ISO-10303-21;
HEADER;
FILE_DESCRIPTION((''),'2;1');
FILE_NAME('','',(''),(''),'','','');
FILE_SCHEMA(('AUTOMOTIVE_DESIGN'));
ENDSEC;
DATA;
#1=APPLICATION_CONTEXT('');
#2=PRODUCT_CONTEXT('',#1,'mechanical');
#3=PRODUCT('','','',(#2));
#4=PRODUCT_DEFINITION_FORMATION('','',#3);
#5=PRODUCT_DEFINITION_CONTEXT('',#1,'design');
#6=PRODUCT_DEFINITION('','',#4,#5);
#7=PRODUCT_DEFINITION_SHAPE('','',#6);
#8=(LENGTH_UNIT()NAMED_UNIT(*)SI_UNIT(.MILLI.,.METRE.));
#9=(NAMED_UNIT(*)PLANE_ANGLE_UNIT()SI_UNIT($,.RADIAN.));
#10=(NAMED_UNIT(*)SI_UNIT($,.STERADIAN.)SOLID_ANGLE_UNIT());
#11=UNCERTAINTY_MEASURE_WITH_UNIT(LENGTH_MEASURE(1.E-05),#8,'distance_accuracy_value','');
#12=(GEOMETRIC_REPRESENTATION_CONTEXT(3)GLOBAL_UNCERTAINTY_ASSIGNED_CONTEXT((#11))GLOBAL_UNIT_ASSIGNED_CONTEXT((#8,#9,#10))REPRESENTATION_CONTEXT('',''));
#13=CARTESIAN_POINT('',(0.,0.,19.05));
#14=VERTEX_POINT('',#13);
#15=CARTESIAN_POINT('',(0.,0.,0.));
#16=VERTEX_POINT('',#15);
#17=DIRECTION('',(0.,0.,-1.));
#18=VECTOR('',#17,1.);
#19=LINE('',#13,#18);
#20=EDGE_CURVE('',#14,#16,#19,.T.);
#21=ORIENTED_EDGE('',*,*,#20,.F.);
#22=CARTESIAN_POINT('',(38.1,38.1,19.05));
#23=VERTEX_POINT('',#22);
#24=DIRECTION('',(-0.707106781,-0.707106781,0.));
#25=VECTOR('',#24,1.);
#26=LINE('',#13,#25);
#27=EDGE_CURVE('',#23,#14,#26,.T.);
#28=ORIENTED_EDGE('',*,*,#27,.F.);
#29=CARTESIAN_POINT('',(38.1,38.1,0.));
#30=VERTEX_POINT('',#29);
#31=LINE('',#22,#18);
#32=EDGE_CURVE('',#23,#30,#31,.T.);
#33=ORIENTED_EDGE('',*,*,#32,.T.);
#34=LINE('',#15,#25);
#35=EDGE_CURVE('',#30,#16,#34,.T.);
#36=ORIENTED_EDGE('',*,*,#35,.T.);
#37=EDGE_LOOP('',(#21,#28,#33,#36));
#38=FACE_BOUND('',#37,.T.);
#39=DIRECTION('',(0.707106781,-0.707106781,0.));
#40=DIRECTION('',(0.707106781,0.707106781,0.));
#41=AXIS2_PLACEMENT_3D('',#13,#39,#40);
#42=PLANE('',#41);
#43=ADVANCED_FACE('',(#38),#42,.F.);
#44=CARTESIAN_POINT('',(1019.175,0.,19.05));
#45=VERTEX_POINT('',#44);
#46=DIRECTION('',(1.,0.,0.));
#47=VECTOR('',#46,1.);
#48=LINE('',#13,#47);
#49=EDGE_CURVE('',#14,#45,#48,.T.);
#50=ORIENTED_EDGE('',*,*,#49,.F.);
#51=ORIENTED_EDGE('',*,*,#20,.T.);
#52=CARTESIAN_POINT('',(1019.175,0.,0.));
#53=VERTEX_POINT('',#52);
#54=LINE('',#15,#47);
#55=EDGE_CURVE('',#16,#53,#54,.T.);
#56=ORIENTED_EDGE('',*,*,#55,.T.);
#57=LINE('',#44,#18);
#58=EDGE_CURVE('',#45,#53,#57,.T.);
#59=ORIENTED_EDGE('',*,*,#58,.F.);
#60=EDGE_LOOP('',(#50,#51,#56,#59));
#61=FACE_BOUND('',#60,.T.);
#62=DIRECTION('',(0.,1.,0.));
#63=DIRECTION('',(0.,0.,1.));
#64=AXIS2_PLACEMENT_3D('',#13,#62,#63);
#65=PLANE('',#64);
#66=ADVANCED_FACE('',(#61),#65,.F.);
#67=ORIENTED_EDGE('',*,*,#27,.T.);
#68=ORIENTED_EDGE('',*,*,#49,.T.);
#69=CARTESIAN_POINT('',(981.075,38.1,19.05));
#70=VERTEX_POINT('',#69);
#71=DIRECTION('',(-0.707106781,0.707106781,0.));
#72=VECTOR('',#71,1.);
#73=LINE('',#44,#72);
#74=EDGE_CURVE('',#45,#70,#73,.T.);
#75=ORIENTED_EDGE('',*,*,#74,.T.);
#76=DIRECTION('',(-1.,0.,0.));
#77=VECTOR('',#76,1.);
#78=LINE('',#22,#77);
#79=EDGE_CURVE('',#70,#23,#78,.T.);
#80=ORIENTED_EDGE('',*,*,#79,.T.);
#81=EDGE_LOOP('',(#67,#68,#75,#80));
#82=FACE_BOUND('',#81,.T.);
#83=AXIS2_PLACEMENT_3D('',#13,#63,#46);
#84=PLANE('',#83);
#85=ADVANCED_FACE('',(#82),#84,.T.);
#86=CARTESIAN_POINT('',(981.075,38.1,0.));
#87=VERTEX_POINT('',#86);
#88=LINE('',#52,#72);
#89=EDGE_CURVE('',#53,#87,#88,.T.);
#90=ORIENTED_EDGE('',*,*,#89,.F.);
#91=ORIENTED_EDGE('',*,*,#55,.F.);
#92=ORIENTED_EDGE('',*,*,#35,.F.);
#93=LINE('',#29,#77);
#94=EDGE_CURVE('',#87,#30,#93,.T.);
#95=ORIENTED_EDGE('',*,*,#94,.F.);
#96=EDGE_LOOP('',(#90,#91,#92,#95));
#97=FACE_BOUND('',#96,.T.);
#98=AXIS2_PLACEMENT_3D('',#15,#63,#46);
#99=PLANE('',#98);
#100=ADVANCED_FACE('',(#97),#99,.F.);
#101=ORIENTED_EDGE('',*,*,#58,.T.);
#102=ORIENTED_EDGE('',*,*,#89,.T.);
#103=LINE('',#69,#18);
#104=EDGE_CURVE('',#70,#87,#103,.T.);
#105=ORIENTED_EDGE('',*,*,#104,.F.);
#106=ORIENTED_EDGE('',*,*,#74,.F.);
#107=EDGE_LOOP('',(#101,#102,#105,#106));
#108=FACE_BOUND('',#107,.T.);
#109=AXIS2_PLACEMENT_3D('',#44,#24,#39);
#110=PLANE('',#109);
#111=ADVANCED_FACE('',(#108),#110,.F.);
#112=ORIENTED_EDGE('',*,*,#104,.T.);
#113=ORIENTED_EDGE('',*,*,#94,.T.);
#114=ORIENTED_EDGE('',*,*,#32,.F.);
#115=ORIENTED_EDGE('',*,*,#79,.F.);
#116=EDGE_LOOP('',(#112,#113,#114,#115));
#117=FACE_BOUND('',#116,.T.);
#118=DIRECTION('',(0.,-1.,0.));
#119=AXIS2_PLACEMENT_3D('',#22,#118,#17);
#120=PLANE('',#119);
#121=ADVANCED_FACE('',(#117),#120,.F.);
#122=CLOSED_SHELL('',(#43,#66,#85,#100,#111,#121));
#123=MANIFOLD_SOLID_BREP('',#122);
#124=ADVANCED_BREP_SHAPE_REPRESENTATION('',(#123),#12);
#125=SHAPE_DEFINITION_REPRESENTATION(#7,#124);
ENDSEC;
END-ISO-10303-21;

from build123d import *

# Parameters (mm, degrees)
BOSS_EXTRUDE1_DEPTH = 19.05


with BuildPart() as part:
    # Sketch1 → Boss-Extrude1 (new body)
    with BuildSketch(Plane.XY):
        Polygon((0, 0), (38.1, 38.1), (981.075, 38.1), (1019.175, 0), align=None)
    extrude(amount=BOSS_EXTRUDE1_DEPTH)


solid = part.part
